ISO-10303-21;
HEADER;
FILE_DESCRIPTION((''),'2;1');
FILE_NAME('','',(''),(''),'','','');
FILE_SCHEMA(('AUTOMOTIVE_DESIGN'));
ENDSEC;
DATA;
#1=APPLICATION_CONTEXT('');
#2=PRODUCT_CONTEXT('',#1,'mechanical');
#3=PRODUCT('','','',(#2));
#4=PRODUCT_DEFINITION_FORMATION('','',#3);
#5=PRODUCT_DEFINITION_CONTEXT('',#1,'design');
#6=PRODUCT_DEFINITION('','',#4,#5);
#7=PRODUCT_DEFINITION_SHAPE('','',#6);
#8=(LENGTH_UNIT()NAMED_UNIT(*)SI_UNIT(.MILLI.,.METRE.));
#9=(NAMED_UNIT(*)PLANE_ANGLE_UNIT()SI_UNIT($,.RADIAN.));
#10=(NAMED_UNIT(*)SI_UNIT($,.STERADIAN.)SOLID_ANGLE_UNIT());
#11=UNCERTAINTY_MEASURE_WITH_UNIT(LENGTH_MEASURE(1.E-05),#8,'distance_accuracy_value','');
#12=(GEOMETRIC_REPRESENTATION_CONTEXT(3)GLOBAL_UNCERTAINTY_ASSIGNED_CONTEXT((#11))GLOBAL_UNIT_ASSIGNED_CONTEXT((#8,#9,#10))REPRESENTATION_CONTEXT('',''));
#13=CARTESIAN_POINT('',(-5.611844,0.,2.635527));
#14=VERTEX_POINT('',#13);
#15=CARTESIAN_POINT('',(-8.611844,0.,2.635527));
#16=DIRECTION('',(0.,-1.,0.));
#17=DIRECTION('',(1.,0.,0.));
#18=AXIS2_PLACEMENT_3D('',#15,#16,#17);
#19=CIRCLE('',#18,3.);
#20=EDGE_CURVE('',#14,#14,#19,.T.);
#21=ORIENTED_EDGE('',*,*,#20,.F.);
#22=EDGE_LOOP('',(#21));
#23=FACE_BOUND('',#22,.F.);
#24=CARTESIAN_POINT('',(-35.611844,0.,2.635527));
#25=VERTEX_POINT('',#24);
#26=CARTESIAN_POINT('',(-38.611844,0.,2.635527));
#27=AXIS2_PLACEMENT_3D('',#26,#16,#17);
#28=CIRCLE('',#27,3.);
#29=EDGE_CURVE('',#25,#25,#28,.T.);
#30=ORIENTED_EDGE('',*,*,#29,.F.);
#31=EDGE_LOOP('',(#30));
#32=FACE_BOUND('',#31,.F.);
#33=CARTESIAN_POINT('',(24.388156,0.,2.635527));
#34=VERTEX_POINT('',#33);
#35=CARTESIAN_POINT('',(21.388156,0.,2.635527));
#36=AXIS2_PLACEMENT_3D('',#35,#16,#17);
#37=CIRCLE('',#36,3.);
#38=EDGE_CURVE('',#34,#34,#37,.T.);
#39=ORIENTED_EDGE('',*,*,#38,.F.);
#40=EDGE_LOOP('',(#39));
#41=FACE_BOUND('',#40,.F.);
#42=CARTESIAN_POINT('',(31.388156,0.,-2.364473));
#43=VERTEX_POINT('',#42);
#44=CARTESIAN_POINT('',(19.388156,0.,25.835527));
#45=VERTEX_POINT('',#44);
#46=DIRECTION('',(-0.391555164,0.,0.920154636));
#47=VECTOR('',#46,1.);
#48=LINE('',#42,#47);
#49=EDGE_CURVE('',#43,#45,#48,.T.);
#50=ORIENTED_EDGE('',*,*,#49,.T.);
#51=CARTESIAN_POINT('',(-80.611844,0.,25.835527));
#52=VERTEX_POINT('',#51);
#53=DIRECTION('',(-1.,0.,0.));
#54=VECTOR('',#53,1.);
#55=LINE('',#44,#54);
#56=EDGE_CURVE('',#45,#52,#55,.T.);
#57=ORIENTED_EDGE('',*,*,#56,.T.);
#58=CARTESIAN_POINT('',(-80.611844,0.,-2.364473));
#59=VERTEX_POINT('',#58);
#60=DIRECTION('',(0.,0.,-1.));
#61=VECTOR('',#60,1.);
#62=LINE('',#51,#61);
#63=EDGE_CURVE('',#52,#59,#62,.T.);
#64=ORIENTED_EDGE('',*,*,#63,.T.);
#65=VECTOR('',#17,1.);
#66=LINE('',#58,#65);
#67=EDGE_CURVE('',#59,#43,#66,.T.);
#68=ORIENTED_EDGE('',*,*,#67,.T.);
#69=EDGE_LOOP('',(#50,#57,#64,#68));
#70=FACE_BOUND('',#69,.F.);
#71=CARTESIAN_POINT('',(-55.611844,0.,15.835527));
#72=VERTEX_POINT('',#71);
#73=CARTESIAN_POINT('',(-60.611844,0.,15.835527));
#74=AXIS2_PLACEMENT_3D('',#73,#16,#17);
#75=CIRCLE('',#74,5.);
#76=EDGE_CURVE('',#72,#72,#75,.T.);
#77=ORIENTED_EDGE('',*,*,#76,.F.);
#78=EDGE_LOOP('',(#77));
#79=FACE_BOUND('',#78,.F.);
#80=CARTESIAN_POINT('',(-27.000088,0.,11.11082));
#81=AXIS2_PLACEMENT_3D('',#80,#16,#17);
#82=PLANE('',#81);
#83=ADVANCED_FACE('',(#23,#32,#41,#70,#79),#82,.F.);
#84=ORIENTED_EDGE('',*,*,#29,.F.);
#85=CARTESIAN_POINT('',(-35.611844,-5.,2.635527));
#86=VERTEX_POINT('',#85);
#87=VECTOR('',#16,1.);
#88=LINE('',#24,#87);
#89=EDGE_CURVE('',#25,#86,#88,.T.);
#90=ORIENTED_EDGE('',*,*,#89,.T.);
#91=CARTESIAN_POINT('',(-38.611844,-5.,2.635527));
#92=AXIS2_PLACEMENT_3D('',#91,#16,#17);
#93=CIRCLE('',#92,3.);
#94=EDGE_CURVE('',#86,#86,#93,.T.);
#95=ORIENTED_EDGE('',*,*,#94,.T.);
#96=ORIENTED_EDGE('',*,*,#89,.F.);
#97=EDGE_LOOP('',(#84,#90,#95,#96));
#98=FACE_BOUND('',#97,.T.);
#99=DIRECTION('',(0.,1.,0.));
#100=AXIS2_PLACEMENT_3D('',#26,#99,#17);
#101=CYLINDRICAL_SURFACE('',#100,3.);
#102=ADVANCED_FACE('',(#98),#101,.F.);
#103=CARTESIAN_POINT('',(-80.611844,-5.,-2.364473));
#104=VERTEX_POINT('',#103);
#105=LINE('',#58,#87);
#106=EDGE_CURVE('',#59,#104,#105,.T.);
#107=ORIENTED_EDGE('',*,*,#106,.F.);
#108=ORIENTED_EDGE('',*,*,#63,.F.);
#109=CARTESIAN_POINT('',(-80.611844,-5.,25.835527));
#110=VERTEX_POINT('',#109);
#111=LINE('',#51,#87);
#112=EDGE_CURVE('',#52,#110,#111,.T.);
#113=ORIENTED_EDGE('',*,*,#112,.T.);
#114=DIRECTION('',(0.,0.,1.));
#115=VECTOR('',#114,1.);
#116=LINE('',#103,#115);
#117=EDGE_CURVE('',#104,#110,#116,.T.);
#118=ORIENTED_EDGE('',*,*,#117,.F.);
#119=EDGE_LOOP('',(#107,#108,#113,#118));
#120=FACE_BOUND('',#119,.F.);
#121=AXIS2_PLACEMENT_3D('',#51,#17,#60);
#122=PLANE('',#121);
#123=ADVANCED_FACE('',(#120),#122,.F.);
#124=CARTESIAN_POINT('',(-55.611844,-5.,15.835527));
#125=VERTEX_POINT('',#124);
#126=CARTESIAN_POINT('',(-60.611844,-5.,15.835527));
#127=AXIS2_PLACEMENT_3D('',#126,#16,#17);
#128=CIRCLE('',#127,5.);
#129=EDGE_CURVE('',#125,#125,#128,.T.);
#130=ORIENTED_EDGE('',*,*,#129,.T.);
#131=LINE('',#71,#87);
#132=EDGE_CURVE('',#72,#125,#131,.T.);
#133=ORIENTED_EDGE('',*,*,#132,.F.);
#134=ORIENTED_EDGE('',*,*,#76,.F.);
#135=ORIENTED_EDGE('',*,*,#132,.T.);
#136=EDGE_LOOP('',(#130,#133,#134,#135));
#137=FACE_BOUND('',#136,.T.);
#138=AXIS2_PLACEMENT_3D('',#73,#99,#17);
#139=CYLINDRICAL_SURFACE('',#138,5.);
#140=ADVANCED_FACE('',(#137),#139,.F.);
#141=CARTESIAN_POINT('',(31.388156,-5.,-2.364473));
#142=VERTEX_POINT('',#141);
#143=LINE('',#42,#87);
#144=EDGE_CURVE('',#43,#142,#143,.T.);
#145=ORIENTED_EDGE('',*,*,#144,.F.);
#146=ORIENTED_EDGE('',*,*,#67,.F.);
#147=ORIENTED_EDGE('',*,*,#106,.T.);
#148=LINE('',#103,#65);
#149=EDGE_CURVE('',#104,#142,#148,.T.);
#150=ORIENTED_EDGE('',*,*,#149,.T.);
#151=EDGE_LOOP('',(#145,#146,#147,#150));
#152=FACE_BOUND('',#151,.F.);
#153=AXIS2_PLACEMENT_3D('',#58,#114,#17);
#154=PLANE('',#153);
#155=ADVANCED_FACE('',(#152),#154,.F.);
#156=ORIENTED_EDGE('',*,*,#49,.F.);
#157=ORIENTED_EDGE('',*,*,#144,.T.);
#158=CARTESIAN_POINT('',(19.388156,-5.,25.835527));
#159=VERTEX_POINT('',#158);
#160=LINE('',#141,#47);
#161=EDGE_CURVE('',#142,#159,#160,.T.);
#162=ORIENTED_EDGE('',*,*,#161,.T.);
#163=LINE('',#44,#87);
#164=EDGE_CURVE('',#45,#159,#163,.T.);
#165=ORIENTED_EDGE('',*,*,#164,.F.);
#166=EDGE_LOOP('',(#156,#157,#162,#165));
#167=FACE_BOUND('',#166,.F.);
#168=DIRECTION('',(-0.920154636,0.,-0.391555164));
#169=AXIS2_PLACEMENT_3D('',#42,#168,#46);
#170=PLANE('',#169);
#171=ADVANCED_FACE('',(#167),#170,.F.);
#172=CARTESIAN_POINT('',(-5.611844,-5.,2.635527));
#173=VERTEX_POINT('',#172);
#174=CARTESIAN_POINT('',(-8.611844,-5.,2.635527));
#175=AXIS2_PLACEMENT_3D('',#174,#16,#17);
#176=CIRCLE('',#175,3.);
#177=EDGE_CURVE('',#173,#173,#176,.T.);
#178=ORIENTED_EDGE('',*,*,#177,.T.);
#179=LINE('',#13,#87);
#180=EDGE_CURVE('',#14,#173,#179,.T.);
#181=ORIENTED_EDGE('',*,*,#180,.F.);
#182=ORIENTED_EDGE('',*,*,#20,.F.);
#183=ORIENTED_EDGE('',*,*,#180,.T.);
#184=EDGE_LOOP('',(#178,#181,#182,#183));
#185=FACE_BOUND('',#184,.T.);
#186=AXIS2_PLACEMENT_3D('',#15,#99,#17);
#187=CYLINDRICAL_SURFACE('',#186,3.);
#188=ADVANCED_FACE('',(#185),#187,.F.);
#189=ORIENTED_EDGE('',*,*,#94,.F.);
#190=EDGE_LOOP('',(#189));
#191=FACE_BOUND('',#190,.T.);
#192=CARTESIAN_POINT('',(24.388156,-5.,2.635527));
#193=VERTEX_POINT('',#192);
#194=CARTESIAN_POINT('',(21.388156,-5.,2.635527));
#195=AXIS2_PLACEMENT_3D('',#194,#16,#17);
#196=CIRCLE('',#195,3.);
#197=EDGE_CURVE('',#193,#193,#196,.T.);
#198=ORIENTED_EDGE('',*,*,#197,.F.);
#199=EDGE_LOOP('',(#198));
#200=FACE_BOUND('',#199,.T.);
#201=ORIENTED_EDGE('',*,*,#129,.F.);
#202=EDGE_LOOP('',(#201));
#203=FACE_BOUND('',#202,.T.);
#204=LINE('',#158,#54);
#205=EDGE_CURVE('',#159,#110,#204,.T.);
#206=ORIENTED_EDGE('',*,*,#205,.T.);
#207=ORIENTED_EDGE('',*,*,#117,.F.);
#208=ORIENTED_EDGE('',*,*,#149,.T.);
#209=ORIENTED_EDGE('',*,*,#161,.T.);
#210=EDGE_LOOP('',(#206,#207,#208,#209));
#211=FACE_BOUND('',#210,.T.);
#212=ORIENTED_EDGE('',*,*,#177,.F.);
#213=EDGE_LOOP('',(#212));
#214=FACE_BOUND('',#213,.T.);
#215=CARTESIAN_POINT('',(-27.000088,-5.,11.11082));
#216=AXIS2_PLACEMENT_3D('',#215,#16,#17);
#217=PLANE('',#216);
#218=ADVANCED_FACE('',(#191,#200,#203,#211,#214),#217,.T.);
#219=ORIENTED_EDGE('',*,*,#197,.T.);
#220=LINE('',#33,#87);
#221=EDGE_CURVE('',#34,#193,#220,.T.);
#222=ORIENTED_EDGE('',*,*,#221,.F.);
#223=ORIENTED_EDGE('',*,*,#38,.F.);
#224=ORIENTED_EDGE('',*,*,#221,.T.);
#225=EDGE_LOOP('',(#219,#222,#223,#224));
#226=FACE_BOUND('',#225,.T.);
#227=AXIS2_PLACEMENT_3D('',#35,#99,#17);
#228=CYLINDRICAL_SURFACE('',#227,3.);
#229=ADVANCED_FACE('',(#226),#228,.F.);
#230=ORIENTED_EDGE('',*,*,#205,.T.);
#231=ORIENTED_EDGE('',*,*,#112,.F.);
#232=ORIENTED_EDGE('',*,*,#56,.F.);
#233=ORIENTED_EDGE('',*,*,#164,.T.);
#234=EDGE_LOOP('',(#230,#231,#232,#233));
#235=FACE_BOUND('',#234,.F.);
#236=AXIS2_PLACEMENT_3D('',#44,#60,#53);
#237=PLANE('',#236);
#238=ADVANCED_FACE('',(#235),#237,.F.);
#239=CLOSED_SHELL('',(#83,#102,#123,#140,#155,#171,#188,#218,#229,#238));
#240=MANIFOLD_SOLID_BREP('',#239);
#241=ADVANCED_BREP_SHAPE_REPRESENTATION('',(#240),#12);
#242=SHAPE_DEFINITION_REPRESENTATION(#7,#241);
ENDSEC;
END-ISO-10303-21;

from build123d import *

# Parameters (mm, degrees)
F0_R      = 3
F0_R_2    = 5
F1_DEPTH  = 5
F1_FACE_W = 100
F1_FACE_H = 5
F2_DEPTH  = 2
F3_DEPTH  = 5


with BuildPart() as f1:
    # F0 (on Front) → F1 (new body)
    with BuildSketch(Plane.XZ):
        Polygon((-80.611844, -2.364473), (31.388156, -2.364473), (19.388156, 25.835527), (-80.611844, 25.835527), align=None)
        with Locations((-38.611844, 2.635527)):
            Circle(F0_R, mode=Mode.SUBTRACT)
        with Locations((-8.611844, 2.635527)):
            Circle(F0_R, mode=Mode.SUBTRACT)
        with Locations((21.388156, 2.635527)):
            Circle(F0_R, mode=Mode.SUBTRACT)
        with Locations((-60.611844, 15.835527)):
            Circle(F0_R_2, mode=Mode.SUBTRACT)
    extrude(amount=F1_DEPTH)

    # F1_face (on face) → F2 (cut)
    with BuildSketch(Plane(origin=(-30.611844, -2.5, 25.835527), x_dir=(1, 0, 0), z_dir=(0, 0, 1))):
        Rectangle(F1_FACE_W, F1_FACE_H)
    extrude(amount=-F2_DEPTH, mode=Mode.SUBTRACT)

    # F0 (on Front) → F3 (join)
    with BuildSketch(Plane.XZ):
        Polygon((-80.611844, -2.364473), (31.388156, -2.364473), (19.388156, 25.835527), (-80.611844, 25.835527), align=None)
        with Locations((-38.611844, 2.635527)):
            Circle(F0_R, mode=Mode.SUBTRACT)
        with Locations((-8.611844, 2.635527)):
            Circle(F0_R, mode=Mode.SUBTRACT)
        with Locations((21.388156, 2.635527)):
            Circle(F0_R, mode=Mode.SUBTRACT)
        with Locations((-60.611844, 15.835527)):
            Circle(F0_R_2, mode=Mode.SUBTRACT)
    extrude(amount=F3_DEPTH)


solid = f1.part
